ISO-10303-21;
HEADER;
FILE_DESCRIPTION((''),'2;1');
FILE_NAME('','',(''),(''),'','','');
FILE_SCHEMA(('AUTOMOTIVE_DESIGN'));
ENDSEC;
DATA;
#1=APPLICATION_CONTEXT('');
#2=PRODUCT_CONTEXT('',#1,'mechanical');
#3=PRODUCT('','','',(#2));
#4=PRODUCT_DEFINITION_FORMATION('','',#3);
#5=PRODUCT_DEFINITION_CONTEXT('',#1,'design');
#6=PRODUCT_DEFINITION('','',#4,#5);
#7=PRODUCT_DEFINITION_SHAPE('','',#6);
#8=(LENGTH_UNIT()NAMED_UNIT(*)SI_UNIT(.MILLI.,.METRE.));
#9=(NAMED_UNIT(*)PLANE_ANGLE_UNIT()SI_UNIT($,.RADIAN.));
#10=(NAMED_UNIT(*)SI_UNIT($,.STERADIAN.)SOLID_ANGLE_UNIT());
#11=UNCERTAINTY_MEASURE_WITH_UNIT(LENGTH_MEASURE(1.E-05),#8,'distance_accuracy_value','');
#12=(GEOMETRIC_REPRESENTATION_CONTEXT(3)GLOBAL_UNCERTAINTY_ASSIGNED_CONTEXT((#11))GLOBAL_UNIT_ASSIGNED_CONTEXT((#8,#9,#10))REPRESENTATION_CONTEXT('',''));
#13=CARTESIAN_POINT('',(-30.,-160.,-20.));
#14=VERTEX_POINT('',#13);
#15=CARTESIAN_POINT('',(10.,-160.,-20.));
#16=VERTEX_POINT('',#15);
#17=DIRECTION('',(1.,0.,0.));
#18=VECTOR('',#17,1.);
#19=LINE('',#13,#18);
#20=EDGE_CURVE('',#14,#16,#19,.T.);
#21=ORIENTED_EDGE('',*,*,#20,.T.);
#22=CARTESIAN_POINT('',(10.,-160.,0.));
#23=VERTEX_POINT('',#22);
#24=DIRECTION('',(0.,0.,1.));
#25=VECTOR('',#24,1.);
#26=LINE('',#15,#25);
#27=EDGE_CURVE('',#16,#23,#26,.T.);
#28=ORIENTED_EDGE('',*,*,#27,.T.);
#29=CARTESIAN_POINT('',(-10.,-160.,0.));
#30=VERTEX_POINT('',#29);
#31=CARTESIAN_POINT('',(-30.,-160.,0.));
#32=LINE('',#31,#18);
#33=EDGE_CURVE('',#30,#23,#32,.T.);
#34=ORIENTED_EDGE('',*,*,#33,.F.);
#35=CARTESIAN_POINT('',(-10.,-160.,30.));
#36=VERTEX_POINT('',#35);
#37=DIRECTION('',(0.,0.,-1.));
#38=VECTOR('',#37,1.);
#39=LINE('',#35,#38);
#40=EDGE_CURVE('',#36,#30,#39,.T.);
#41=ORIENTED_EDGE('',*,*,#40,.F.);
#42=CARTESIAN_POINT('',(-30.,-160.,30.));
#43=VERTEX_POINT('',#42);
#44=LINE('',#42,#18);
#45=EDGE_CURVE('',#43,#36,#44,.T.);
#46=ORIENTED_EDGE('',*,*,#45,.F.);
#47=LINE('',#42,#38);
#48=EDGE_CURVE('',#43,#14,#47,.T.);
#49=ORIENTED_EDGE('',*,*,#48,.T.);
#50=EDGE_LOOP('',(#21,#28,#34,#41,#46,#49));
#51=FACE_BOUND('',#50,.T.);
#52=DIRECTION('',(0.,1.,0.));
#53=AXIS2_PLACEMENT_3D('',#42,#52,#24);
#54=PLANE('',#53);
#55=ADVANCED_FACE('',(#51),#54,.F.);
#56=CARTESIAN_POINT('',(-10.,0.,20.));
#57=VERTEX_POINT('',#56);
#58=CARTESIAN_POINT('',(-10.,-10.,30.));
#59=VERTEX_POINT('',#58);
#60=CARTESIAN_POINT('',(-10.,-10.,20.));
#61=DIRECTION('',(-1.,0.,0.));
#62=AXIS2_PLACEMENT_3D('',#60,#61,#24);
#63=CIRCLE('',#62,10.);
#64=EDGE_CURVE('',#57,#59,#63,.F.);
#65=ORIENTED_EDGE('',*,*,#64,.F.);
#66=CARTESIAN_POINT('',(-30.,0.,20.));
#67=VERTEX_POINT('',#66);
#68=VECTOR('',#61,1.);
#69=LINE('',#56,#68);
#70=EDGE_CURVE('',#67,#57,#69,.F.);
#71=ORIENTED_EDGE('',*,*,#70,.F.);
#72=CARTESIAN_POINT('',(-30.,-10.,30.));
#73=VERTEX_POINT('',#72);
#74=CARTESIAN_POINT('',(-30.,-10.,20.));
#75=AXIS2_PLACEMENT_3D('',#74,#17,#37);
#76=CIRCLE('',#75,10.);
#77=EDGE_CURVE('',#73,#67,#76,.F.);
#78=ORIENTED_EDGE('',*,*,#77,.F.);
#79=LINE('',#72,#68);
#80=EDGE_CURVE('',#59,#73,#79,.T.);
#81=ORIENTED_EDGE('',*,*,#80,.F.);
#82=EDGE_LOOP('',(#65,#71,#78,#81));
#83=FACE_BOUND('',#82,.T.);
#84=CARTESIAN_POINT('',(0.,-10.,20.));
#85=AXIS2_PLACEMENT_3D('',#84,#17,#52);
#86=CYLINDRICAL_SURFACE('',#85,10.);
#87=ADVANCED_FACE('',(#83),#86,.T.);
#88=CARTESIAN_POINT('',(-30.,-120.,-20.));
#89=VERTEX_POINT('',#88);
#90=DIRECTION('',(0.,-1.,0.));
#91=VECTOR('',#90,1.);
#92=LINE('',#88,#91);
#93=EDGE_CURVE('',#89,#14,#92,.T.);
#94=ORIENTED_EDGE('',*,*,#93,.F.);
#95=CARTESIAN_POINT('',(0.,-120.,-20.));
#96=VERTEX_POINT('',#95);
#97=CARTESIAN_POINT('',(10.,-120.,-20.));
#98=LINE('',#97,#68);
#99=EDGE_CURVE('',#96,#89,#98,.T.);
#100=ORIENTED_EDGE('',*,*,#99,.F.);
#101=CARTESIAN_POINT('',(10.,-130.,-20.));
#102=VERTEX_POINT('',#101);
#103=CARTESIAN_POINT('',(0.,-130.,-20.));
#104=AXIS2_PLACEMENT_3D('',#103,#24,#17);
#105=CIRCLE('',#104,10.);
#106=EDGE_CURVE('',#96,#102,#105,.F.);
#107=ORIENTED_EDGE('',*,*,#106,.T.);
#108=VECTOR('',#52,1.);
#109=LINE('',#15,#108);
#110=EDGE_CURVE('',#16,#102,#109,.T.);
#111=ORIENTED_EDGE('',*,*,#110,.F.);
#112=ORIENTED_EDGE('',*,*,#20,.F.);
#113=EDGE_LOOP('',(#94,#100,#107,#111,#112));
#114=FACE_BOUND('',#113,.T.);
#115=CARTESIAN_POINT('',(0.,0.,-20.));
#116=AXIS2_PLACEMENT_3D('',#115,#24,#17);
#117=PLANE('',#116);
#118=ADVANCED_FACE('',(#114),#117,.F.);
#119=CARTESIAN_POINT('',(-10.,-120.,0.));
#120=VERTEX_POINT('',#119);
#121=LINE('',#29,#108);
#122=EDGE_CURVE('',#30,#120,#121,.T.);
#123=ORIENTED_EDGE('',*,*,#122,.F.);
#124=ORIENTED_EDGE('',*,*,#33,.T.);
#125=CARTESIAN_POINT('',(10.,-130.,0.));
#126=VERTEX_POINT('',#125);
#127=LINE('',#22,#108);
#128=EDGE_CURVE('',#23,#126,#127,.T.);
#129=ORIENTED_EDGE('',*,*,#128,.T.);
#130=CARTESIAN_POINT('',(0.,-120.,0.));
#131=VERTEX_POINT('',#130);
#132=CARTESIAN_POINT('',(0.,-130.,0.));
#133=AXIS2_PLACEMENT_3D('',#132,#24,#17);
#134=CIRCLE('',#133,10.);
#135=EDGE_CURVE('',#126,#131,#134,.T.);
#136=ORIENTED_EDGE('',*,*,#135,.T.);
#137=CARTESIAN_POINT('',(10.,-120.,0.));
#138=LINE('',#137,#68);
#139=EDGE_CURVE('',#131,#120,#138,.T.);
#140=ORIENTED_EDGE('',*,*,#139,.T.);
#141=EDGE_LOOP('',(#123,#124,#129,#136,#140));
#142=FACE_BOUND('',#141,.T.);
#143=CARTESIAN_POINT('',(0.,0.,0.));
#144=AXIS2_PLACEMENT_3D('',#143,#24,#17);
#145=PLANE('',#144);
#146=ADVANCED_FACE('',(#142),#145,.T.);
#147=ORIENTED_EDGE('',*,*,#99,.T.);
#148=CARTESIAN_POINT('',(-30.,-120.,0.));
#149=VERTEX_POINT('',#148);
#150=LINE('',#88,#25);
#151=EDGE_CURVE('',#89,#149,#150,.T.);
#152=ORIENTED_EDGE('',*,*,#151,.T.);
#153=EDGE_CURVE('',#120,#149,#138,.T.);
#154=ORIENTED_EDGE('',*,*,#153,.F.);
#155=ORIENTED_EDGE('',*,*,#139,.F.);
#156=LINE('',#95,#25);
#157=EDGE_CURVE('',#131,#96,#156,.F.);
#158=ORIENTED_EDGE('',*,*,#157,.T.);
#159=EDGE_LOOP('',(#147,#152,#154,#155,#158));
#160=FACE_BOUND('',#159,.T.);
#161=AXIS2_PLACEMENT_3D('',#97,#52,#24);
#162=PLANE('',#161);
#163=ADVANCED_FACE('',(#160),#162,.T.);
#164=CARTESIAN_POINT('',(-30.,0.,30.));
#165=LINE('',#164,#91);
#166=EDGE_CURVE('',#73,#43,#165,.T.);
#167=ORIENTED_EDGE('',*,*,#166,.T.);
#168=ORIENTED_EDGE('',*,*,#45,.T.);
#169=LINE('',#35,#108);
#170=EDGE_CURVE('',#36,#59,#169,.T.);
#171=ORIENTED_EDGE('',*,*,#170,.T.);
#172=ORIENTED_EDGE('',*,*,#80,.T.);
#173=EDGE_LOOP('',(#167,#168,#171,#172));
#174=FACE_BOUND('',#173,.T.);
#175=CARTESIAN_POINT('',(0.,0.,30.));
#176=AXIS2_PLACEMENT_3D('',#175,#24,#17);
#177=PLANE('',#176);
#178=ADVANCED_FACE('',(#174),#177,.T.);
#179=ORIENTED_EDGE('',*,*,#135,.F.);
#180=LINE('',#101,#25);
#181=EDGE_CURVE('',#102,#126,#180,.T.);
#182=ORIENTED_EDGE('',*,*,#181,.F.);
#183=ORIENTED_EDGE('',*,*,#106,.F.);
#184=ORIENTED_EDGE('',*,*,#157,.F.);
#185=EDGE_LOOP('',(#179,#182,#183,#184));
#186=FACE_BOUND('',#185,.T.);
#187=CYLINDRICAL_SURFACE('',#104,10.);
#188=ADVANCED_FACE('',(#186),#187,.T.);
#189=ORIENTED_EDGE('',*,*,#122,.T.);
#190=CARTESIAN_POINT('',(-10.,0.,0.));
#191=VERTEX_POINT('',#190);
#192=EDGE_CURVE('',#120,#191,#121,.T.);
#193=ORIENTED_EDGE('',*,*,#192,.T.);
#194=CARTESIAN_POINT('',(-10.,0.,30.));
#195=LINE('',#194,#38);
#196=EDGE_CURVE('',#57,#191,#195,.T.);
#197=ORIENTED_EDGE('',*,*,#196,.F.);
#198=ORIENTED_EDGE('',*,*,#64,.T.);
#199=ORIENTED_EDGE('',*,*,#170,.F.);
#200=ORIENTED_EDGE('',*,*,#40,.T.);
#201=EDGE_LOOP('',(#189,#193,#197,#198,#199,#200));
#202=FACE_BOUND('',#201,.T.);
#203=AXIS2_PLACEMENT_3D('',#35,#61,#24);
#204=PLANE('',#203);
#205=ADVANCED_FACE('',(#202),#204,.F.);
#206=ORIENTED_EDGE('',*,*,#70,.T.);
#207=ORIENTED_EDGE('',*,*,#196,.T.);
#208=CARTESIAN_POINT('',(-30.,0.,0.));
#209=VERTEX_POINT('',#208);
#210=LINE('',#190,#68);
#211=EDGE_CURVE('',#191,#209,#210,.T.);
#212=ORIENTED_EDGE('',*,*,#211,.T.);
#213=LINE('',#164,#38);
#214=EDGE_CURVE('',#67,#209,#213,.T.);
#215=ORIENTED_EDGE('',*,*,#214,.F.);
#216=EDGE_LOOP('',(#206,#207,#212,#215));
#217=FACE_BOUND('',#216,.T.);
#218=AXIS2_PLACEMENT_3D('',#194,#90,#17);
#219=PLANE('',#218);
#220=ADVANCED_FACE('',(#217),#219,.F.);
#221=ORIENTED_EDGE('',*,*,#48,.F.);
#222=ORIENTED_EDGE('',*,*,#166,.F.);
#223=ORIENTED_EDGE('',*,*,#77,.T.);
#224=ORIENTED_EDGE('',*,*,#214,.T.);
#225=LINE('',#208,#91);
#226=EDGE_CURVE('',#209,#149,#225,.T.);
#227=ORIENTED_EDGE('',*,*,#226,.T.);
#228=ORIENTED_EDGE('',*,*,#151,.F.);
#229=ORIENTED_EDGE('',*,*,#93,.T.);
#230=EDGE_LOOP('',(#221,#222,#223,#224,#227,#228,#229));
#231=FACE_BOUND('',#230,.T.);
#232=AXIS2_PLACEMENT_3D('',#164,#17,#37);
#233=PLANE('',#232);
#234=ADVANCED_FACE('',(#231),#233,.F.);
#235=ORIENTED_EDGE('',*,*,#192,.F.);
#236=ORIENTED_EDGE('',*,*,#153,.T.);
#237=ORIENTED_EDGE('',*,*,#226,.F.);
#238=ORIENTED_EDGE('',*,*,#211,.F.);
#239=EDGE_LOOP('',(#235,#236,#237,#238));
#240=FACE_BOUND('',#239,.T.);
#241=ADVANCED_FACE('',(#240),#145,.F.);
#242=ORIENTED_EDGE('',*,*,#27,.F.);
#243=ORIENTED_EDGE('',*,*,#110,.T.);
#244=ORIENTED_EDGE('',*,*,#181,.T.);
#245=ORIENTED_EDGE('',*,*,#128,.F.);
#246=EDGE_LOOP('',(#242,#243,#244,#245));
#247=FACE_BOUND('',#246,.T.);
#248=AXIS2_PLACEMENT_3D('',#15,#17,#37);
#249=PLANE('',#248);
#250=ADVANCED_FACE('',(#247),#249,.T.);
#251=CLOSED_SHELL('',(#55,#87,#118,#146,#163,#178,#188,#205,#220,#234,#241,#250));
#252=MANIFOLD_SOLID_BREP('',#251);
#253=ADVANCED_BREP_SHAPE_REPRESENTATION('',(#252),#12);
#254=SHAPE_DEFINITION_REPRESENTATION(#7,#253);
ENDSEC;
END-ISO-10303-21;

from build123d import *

# Parameters (mm, degrees)
SKETCH1_W           = 20
SKETCH1_H           = 160
BOSS_EXTRUDE1_DEPTH = 30
SKETCH2_W           = 40
SKETCH2_H           = 40
BOSS_EXTRUDE2_DEPTH = 20
FILLET1_R           = 10


with BuildPart() as part:
    # Sketch1 → Boss-Extrude1 (new body)
    with BuildSketch(Plane.XY):
        with Locations((-20, -80)):
            Rectangle(SKETCH1_W, SKETCH1_H)
    extrude(amount=BOSS_EXTRUDE1_DEPTH)

    # Sketch2 → Boss-Extrude2 (add)
    with BuildSketch(Plane.XY):
        with Locations((-10, -140)):
            Rectangle(SKETCH2_W, SKETCH2_H)
    extrude(amount=-BOSS_EXTRUDE2_DEPTH)

    # Fillet1
    fillet1_edges = [part.edges().sort_by_distance(p)[0] for p in [
        (10, -120, -10),
        (-20, 0, 30),
    ]]
    fillet(fillet1_edges, radius=FILLET1_R)


solid = part.part
